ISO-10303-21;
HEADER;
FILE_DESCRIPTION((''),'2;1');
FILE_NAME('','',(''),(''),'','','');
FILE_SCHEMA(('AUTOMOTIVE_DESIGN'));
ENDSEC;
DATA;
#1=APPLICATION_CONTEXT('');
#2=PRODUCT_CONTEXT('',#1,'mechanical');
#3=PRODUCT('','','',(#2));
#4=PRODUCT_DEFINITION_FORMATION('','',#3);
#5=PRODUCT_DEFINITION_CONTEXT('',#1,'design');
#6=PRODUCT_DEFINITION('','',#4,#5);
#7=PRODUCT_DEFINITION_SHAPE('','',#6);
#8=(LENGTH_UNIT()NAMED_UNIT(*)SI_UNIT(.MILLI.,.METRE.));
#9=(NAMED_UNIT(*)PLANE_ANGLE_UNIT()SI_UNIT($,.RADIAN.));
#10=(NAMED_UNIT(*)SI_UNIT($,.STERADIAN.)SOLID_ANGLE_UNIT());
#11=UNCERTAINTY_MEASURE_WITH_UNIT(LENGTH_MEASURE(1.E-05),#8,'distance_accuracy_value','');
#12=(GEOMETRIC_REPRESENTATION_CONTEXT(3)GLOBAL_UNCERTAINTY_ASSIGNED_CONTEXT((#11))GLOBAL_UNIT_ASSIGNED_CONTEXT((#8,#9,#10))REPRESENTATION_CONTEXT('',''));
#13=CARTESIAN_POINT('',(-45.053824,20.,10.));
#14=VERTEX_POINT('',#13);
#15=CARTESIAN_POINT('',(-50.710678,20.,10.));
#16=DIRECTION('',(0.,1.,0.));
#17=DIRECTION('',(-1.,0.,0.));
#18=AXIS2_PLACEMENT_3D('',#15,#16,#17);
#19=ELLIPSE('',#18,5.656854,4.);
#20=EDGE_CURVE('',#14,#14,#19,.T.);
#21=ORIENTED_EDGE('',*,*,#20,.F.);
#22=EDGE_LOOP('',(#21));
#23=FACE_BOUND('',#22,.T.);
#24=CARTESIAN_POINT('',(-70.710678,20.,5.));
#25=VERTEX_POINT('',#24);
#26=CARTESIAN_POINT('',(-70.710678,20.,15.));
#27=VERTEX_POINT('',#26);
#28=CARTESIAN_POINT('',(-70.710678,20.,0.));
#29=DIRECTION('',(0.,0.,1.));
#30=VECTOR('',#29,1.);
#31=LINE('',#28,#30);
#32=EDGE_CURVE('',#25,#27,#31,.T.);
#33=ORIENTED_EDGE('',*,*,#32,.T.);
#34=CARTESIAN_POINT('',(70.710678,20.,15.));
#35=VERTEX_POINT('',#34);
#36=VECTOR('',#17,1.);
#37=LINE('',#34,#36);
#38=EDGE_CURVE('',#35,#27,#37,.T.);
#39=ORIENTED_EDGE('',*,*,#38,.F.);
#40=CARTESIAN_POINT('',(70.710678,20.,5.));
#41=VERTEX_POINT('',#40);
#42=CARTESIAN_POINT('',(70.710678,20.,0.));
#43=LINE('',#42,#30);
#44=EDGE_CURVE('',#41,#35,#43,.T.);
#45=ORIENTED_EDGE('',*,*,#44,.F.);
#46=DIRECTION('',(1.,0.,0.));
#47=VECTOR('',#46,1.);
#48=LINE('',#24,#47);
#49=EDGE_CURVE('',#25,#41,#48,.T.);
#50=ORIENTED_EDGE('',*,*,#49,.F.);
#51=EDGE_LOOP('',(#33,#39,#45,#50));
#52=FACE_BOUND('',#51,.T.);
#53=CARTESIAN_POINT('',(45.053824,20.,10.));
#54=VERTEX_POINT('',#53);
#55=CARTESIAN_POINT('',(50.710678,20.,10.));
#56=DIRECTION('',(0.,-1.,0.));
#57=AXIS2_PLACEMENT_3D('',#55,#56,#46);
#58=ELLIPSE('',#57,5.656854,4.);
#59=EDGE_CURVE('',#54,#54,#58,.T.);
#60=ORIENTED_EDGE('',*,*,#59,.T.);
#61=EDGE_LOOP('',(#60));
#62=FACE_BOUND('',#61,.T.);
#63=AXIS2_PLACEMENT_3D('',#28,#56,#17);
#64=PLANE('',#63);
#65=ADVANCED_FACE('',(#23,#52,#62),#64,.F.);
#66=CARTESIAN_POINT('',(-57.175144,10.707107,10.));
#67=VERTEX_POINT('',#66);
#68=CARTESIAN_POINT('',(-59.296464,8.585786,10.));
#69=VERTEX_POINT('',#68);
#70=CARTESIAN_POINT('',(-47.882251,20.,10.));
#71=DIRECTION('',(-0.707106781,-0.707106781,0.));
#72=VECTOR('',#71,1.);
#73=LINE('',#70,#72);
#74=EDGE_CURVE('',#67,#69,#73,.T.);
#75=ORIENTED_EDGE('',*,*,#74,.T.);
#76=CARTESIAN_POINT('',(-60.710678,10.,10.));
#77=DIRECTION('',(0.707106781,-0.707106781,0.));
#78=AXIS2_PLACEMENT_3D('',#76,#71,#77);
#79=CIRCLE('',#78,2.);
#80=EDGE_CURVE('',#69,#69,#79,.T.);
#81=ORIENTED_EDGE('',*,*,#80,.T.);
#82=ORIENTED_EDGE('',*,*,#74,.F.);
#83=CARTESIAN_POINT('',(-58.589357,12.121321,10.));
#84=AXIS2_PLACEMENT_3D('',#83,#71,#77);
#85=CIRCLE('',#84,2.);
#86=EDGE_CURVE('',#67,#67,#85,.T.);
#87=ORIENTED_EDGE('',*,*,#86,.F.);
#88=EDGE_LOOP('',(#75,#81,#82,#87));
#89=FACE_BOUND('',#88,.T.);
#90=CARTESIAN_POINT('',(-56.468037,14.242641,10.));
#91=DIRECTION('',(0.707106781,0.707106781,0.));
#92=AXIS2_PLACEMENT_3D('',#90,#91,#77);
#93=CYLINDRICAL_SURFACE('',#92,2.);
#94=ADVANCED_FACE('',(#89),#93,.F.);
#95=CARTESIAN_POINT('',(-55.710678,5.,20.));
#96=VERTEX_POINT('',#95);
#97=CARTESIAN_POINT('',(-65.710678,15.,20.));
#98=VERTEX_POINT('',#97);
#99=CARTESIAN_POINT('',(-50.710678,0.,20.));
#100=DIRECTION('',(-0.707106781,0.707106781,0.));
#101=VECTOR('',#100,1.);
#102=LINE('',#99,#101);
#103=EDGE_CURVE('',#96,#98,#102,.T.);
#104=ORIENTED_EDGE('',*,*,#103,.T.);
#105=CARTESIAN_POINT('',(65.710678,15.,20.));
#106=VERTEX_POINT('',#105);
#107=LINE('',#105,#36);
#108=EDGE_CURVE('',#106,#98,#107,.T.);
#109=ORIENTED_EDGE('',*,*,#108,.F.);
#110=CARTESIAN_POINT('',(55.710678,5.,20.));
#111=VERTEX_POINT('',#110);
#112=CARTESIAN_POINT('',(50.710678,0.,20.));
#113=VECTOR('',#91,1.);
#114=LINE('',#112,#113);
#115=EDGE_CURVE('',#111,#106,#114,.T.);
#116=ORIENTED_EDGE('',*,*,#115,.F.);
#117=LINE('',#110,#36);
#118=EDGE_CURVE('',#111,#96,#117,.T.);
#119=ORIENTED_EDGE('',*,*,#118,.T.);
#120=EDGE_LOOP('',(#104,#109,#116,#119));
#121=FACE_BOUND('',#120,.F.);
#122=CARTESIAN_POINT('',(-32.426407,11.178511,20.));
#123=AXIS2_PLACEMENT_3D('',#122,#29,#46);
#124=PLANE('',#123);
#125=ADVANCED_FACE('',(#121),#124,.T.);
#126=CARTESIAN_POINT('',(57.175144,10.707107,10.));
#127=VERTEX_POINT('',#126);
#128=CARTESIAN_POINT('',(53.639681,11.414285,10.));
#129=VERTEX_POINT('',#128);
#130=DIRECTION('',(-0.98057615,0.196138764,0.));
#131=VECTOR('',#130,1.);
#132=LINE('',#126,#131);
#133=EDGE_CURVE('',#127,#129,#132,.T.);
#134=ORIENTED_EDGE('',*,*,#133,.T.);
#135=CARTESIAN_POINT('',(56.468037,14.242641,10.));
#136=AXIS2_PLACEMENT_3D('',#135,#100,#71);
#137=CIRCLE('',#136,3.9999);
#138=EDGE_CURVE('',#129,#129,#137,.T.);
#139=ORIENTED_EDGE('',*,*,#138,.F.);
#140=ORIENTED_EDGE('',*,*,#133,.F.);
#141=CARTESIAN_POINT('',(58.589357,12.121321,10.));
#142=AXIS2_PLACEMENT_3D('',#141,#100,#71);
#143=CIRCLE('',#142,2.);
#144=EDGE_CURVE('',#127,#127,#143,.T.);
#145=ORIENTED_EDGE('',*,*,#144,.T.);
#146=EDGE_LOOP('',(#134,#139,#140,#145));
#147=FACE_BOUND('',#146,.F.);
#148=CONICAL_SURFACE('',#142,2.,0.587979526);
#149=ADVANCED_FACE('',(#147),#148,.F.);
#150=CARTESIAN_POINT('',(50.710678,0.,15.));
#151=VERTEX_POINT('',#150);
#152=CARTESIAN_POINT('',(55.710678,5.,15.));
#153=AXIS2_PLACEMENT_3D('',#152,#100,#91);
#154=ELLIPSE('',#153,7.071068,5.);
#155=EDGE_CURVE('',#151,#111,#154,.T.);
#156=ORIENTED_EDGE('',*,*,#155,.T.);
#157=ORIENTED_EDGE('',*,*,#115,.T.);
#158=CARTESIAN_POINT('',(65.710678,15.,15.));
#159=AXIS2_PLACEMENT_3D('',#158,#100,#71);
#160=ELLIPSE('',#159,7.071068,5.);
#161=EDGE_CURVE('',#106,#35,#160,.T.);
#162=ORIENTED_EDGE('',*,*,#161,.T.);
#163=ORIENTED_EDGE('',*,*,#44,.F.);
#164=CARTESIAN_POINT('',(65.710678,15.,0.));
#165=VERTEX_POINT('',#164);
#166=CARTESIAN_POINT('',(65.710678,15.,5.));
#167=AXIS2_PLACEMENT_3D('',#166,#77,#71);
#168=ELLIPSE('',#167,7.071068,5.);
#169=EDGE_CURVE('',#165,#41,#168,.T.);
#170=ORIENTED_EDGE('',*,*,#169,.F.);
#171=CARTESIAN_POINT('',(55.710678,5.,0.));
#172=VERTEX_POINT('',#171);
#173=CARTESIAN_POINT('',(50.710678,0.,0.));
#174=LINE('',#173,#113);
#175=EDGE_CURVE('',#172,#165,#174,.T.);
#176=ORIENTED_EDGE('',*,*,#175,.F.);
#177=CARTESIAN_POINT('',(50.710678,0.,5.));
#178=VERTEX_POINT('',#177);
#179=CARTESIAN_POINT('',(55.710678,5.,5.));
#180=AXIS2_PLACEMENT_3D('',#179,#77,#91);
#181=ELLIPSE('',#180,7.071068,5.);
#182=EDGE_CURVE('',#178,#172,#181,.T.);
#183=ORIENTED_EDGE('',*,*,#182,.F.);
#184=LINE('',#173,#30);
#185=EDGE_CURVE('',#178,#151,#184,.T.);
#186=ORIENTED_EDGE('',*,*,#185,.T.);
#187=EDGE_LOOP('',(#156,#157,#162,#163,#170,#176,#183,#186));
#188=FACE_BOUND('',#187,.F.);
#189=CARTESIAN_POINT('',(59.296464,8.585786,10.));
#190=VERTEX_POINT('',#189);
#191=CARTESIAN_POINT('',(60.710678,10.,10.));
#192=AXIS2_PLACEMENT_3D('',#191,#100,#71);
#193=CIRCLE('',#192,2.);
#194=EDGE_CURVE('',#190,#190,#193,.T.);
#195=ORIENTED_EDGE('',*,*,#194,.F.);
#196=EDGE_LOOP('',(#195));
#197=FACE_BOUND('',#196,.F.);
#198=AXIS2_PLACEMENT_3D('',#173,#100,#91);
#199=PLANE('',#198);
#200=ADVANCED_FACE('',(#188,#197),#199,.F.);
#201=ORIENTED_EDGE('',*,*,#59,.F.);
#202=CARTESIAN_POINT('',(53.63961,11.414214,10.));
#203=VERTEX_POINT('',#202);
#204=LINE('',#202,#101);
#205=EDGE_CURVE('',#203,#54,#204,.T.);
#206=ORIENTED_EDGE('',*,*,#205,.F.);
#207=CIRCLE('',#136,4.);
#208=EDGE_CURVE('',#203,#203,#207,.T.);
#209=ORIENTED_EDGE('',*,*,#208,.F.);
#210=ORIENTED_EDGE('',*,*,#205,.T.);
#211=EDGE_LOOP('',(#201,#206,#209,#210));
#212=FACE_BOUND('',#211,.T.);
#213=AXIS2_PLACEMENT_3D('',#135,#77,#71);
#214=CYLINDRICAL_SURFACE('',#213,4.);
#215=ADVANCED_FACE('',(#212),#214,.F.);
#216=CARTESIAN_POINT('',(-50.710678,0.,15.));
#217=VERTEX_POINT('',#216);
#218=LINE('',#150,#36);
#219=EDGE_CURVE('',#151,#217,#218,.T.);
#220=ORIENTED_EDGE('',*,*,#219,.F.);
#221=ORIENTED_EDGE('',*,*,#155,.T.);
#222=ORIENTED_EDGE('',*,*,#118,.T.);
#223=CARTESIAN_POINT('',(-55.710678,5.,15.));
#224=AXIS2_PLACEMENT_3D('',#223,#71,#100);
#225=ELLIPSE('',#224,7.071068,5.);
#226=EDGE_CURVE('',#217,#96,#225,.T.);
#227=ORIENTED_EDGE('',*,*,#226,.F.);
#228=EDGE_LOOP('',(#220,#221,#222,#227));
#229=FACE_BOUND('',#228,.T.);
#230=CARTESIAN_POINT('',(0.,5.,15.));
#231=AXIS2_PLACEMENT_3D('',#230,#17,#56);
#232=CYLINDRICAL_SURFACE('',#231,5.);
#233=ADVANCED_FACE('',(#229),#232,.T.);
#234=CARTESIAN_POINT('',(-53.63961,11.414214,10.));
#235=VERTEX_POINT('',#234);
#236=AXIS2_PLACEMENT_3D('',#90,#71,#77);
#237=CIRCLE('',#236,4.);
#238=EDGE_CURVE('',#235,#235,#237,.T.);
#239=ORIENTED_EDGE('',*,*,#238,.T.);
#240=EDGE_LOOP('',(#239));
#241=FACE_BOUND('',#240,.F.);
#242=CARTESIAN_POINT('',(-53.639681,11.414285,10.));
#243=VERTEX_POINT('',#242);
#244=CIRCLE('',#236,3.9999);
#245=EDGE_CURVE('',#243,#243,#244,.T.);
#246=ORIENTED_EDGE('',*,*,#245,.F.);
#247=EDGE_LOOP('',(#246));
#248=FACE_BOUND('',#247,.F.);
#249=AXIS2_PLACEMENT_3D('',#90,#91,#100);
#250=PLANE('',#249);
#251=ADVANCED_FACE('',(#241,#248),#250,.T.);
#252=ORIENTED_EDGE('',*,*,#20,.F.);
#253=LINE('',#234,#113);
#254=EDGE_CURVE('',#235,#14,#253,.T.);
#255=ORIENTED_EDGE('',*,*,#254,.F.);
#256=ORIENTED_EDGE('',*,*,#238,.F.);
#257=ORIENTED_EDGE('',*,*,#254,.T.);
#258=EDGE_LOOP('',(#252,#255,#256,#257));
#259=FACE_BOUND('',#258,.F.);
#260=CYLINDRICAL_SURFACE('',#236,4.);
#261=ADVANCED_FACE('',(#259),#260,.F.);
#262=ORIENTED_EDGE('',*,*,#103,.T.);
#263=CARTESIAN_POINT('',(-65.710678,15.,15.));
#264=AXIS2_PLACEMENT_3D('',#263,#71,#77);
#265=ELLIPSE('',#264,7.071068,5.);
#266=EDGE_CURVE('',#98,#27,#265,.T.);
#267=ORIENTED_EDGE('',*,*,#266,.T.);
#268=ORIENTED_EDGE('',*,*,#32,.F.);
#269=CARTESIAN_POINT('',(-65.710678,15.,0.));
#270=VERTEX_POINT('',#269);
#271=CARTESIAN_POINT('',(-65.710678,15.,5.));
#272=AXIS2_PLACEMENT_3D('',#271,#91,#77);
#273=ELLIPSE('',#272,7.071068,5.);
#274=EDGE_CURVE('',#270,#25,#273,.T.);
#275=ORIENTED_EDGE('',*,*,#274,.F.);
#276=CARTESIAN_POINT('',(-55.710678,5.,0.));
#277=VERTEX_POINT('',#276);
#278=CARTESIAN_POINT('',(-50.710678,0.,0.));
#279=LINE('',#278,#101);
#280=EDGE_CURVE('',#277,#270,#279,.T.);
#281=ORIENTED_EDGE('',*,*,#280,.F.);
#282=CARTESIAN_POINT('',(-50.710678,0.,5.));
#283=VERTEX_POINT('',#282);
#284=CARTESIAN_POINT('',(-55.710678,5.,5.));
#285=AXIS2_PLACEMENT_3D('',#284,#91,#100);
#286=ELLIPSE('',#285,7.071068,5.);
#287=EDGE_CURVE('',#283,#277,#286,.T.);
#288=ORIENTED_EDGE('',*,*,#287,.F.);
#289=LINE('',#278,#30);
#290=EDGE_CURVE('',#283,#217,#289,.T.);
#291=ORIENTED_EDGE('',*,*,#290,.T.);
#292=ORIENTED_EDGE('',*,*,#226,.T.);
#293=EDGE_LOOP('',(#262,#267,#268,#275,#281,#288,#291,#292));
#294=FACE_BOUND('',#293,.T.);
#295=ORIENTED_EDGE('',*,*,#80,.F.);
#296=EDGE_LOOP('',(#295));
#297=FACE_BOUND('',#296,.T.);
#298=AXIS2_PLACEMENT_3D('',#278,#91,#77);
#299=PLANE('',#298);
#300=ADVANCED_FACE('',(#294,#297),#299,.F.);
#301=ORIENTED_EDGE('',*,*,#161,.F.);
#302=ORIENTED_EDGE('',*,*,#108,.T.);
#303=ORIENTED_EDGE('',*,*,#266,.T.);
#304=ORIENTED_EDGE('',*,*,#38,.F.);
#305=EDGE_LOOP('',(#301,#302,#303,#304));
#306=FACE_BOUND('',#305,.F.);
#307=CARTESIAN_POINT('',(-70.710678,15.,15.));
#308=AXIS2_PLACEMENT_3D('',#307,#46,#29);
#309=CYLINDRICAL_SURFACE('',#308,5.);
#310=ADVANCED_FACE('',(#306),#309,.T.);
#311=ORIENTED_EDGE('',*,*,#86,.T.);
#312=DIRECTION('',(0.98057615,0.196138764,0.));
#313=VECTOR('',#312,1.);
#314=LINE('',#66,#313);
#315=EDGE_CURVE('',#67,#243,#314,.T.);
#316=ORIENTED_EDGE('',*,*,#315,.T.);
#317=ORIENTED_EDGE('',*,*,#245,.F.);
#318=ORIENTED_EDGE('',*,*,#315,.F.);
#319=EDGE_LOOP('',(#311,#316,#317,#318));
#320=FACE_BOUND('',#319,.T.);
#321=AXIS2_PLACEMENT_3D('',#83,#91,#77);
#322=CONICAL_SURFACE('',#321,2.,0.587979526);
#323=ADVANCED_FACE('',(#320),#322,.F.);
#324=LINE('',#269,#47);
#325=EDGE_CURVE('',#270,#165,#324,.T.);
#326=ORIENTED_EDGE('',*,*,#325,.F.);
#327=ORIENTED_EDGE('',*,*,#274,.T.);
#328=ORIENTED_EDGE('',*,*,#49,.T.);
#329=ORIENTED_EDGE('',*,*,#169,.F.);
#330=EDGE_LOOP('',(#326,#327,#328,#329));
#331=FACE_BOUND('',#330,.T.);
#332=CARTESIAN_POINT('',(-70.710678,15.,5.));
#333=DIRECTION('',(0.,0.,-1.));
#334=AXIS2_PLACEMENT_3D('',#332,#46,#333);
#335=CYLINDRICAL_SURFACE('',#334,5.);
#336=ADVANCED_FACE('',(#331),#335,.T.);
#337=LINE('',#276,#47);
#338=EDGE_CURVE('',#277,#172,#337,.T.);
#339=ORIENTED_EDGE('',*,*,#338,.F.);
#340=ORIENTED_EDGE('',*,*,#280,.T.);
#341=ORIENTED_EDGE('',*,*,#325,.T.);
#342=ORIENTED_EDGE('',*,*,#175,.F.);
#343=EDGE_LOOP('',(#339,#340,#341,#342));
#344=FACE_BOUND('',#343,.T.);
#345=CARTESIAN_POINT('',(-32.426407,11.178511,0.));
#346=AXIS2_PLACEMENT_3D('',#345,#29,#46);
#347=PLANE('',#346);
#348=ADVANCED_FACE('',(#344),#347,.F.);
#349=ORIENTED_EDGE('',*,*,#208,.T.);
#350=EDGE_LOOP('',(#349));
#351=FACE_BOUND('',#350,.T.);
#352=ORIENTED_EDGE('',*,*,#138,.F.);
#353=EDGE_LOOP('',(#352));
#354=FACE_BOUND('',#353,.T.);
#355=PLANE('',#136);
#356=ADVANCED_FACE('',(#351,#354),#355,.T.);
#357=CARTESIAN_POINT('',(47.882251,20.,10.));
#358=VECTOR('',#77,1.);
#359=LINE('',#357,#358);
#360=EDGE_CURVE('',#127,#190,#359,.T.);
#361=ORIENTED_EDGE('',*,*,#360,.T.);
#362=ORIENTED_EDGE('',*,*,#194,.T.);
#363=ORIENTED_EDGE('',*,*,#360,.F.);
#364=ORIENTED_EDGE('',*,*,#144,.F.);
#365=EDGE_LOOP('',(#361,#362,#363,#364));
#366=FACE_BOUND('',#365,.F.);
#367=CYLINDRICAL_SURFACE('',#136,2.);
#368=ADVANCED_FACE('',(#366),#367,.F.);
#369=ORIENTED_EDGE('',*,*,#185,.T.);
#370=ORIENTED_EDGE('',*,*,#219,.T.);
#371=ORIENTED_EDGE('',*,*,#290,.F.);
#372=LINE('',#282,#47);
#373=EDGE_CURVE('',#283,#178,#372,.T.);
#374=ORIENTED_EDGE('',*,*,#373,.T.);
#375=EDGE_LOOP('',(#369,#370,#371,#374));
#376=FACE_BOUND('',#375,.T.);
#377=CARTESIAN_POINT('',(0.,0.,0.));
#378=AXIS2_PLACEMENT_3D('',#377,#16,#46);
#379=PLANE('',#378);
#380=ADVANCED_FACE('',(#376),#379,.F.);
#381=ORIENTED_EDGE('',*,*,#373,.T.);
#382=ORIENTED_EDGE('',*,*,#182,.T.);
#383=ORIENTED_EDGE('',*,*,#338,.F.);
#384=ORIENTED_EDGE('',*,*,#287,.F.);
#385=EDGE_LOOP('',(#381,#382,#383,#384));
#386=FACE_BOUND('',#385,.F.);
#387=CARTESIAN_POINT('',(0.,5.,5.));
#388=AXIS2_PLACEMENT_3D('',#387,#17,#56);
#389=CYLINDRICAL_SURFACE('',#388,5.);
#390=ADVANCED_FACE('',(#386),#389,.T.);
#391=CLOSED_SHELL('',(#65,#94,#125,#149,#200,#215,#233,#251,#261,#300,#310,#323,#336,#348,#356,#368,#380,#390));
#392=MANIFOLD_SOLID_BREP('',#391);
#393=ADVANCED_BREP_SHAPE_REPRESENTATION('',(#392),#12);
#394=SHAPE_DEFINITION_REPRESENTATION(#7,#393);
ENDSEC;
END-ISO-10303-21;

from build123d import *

# Parameters (mm, degrees)
PAD_DEPTH         = 20
SKETCH002_R       = 2
POCKET_DEPTH      = 20.143136
POCKET_DEPTH_BACK = 44.001
SKETCH003_R       = 4
POCKET001_DEPTH   = 44.001
CHAMFER_SIZE2     = 1.9999
CHAMFER_SIZE      = 3
FILLET_R          = 5


with BuildPart() as part:
    # Sketch → Pad (new body)
    with BuildSketch(Plane.XY):
        Polygon((0, 0), (50.710678, 0), (70.710678, 20), (0, 20), align=None)
    extrude(amount=PAD_DEPTH)

    # Sketch002 (on DatumPlane) → Pocket (cut, two sides)
    with BuildSketch(Plane(origin=(21.112698, -21.112698, 0), x_dir=(-0.707107, -0.707107, 0), z_dir=(-0.707107, 0.707107, 0))) as pocket_sk:
        with Locations((-50, 10)):
            Circle(SKETCH002_R)
    extrude(amount=-POCKET_DEPTH, mode=Mode.SUBTRACT)
    extrude(pocket_sk.sketch, amount=POCKET_DEPTH_BACK, mode=Mode.SUBTRACT)

    # Sketch003 (on DatumPlane) → Pocket001 (cut, through all)
    with BuildSketch(Plane(origin=(21.112698, -21.112698, 0), x_dir=(-0.707107, -0.707107, 0), z_dir=(-0.707107, 0.707107, 0))):
        with Locations((-50, 10)):
            Circle(SKETCH003_R)
    extrude(amount=POCKET001_DEPTH, mode=Mode.SUBTRACT)

    # Chamfer
    chamfer_edges = [part.edges().sort_by_distance(p)[0] for p in [
        (57.882251, 15.656854, 10),
    ]]
    chamfer_side = part.faces().sort_by_distance((60.003571, 13.535534, 10))[0]
    chamfer(chamfer_edges, length=CHAMFER_SIZE, length2=CHAMFER_SIZE2, reference=chamfer_side)

    # Fillet
    fillet_edges = [part.edges().sort_by_distance(p)[0] for p in [
        (35.355339, 20, 20),
        (25.355339, 0, 20),
        (35.355339, 20, 0),
        (25.355339, 0, 0),
    ]]
    fillet(fillet_edges, radius=FILLET_R)

    # Mirrored: part across YZ


with BuildPart() as part_1:
    add(part.part)
    add(part.part.mirror(Plane.YZ))


solid = part_1.part
